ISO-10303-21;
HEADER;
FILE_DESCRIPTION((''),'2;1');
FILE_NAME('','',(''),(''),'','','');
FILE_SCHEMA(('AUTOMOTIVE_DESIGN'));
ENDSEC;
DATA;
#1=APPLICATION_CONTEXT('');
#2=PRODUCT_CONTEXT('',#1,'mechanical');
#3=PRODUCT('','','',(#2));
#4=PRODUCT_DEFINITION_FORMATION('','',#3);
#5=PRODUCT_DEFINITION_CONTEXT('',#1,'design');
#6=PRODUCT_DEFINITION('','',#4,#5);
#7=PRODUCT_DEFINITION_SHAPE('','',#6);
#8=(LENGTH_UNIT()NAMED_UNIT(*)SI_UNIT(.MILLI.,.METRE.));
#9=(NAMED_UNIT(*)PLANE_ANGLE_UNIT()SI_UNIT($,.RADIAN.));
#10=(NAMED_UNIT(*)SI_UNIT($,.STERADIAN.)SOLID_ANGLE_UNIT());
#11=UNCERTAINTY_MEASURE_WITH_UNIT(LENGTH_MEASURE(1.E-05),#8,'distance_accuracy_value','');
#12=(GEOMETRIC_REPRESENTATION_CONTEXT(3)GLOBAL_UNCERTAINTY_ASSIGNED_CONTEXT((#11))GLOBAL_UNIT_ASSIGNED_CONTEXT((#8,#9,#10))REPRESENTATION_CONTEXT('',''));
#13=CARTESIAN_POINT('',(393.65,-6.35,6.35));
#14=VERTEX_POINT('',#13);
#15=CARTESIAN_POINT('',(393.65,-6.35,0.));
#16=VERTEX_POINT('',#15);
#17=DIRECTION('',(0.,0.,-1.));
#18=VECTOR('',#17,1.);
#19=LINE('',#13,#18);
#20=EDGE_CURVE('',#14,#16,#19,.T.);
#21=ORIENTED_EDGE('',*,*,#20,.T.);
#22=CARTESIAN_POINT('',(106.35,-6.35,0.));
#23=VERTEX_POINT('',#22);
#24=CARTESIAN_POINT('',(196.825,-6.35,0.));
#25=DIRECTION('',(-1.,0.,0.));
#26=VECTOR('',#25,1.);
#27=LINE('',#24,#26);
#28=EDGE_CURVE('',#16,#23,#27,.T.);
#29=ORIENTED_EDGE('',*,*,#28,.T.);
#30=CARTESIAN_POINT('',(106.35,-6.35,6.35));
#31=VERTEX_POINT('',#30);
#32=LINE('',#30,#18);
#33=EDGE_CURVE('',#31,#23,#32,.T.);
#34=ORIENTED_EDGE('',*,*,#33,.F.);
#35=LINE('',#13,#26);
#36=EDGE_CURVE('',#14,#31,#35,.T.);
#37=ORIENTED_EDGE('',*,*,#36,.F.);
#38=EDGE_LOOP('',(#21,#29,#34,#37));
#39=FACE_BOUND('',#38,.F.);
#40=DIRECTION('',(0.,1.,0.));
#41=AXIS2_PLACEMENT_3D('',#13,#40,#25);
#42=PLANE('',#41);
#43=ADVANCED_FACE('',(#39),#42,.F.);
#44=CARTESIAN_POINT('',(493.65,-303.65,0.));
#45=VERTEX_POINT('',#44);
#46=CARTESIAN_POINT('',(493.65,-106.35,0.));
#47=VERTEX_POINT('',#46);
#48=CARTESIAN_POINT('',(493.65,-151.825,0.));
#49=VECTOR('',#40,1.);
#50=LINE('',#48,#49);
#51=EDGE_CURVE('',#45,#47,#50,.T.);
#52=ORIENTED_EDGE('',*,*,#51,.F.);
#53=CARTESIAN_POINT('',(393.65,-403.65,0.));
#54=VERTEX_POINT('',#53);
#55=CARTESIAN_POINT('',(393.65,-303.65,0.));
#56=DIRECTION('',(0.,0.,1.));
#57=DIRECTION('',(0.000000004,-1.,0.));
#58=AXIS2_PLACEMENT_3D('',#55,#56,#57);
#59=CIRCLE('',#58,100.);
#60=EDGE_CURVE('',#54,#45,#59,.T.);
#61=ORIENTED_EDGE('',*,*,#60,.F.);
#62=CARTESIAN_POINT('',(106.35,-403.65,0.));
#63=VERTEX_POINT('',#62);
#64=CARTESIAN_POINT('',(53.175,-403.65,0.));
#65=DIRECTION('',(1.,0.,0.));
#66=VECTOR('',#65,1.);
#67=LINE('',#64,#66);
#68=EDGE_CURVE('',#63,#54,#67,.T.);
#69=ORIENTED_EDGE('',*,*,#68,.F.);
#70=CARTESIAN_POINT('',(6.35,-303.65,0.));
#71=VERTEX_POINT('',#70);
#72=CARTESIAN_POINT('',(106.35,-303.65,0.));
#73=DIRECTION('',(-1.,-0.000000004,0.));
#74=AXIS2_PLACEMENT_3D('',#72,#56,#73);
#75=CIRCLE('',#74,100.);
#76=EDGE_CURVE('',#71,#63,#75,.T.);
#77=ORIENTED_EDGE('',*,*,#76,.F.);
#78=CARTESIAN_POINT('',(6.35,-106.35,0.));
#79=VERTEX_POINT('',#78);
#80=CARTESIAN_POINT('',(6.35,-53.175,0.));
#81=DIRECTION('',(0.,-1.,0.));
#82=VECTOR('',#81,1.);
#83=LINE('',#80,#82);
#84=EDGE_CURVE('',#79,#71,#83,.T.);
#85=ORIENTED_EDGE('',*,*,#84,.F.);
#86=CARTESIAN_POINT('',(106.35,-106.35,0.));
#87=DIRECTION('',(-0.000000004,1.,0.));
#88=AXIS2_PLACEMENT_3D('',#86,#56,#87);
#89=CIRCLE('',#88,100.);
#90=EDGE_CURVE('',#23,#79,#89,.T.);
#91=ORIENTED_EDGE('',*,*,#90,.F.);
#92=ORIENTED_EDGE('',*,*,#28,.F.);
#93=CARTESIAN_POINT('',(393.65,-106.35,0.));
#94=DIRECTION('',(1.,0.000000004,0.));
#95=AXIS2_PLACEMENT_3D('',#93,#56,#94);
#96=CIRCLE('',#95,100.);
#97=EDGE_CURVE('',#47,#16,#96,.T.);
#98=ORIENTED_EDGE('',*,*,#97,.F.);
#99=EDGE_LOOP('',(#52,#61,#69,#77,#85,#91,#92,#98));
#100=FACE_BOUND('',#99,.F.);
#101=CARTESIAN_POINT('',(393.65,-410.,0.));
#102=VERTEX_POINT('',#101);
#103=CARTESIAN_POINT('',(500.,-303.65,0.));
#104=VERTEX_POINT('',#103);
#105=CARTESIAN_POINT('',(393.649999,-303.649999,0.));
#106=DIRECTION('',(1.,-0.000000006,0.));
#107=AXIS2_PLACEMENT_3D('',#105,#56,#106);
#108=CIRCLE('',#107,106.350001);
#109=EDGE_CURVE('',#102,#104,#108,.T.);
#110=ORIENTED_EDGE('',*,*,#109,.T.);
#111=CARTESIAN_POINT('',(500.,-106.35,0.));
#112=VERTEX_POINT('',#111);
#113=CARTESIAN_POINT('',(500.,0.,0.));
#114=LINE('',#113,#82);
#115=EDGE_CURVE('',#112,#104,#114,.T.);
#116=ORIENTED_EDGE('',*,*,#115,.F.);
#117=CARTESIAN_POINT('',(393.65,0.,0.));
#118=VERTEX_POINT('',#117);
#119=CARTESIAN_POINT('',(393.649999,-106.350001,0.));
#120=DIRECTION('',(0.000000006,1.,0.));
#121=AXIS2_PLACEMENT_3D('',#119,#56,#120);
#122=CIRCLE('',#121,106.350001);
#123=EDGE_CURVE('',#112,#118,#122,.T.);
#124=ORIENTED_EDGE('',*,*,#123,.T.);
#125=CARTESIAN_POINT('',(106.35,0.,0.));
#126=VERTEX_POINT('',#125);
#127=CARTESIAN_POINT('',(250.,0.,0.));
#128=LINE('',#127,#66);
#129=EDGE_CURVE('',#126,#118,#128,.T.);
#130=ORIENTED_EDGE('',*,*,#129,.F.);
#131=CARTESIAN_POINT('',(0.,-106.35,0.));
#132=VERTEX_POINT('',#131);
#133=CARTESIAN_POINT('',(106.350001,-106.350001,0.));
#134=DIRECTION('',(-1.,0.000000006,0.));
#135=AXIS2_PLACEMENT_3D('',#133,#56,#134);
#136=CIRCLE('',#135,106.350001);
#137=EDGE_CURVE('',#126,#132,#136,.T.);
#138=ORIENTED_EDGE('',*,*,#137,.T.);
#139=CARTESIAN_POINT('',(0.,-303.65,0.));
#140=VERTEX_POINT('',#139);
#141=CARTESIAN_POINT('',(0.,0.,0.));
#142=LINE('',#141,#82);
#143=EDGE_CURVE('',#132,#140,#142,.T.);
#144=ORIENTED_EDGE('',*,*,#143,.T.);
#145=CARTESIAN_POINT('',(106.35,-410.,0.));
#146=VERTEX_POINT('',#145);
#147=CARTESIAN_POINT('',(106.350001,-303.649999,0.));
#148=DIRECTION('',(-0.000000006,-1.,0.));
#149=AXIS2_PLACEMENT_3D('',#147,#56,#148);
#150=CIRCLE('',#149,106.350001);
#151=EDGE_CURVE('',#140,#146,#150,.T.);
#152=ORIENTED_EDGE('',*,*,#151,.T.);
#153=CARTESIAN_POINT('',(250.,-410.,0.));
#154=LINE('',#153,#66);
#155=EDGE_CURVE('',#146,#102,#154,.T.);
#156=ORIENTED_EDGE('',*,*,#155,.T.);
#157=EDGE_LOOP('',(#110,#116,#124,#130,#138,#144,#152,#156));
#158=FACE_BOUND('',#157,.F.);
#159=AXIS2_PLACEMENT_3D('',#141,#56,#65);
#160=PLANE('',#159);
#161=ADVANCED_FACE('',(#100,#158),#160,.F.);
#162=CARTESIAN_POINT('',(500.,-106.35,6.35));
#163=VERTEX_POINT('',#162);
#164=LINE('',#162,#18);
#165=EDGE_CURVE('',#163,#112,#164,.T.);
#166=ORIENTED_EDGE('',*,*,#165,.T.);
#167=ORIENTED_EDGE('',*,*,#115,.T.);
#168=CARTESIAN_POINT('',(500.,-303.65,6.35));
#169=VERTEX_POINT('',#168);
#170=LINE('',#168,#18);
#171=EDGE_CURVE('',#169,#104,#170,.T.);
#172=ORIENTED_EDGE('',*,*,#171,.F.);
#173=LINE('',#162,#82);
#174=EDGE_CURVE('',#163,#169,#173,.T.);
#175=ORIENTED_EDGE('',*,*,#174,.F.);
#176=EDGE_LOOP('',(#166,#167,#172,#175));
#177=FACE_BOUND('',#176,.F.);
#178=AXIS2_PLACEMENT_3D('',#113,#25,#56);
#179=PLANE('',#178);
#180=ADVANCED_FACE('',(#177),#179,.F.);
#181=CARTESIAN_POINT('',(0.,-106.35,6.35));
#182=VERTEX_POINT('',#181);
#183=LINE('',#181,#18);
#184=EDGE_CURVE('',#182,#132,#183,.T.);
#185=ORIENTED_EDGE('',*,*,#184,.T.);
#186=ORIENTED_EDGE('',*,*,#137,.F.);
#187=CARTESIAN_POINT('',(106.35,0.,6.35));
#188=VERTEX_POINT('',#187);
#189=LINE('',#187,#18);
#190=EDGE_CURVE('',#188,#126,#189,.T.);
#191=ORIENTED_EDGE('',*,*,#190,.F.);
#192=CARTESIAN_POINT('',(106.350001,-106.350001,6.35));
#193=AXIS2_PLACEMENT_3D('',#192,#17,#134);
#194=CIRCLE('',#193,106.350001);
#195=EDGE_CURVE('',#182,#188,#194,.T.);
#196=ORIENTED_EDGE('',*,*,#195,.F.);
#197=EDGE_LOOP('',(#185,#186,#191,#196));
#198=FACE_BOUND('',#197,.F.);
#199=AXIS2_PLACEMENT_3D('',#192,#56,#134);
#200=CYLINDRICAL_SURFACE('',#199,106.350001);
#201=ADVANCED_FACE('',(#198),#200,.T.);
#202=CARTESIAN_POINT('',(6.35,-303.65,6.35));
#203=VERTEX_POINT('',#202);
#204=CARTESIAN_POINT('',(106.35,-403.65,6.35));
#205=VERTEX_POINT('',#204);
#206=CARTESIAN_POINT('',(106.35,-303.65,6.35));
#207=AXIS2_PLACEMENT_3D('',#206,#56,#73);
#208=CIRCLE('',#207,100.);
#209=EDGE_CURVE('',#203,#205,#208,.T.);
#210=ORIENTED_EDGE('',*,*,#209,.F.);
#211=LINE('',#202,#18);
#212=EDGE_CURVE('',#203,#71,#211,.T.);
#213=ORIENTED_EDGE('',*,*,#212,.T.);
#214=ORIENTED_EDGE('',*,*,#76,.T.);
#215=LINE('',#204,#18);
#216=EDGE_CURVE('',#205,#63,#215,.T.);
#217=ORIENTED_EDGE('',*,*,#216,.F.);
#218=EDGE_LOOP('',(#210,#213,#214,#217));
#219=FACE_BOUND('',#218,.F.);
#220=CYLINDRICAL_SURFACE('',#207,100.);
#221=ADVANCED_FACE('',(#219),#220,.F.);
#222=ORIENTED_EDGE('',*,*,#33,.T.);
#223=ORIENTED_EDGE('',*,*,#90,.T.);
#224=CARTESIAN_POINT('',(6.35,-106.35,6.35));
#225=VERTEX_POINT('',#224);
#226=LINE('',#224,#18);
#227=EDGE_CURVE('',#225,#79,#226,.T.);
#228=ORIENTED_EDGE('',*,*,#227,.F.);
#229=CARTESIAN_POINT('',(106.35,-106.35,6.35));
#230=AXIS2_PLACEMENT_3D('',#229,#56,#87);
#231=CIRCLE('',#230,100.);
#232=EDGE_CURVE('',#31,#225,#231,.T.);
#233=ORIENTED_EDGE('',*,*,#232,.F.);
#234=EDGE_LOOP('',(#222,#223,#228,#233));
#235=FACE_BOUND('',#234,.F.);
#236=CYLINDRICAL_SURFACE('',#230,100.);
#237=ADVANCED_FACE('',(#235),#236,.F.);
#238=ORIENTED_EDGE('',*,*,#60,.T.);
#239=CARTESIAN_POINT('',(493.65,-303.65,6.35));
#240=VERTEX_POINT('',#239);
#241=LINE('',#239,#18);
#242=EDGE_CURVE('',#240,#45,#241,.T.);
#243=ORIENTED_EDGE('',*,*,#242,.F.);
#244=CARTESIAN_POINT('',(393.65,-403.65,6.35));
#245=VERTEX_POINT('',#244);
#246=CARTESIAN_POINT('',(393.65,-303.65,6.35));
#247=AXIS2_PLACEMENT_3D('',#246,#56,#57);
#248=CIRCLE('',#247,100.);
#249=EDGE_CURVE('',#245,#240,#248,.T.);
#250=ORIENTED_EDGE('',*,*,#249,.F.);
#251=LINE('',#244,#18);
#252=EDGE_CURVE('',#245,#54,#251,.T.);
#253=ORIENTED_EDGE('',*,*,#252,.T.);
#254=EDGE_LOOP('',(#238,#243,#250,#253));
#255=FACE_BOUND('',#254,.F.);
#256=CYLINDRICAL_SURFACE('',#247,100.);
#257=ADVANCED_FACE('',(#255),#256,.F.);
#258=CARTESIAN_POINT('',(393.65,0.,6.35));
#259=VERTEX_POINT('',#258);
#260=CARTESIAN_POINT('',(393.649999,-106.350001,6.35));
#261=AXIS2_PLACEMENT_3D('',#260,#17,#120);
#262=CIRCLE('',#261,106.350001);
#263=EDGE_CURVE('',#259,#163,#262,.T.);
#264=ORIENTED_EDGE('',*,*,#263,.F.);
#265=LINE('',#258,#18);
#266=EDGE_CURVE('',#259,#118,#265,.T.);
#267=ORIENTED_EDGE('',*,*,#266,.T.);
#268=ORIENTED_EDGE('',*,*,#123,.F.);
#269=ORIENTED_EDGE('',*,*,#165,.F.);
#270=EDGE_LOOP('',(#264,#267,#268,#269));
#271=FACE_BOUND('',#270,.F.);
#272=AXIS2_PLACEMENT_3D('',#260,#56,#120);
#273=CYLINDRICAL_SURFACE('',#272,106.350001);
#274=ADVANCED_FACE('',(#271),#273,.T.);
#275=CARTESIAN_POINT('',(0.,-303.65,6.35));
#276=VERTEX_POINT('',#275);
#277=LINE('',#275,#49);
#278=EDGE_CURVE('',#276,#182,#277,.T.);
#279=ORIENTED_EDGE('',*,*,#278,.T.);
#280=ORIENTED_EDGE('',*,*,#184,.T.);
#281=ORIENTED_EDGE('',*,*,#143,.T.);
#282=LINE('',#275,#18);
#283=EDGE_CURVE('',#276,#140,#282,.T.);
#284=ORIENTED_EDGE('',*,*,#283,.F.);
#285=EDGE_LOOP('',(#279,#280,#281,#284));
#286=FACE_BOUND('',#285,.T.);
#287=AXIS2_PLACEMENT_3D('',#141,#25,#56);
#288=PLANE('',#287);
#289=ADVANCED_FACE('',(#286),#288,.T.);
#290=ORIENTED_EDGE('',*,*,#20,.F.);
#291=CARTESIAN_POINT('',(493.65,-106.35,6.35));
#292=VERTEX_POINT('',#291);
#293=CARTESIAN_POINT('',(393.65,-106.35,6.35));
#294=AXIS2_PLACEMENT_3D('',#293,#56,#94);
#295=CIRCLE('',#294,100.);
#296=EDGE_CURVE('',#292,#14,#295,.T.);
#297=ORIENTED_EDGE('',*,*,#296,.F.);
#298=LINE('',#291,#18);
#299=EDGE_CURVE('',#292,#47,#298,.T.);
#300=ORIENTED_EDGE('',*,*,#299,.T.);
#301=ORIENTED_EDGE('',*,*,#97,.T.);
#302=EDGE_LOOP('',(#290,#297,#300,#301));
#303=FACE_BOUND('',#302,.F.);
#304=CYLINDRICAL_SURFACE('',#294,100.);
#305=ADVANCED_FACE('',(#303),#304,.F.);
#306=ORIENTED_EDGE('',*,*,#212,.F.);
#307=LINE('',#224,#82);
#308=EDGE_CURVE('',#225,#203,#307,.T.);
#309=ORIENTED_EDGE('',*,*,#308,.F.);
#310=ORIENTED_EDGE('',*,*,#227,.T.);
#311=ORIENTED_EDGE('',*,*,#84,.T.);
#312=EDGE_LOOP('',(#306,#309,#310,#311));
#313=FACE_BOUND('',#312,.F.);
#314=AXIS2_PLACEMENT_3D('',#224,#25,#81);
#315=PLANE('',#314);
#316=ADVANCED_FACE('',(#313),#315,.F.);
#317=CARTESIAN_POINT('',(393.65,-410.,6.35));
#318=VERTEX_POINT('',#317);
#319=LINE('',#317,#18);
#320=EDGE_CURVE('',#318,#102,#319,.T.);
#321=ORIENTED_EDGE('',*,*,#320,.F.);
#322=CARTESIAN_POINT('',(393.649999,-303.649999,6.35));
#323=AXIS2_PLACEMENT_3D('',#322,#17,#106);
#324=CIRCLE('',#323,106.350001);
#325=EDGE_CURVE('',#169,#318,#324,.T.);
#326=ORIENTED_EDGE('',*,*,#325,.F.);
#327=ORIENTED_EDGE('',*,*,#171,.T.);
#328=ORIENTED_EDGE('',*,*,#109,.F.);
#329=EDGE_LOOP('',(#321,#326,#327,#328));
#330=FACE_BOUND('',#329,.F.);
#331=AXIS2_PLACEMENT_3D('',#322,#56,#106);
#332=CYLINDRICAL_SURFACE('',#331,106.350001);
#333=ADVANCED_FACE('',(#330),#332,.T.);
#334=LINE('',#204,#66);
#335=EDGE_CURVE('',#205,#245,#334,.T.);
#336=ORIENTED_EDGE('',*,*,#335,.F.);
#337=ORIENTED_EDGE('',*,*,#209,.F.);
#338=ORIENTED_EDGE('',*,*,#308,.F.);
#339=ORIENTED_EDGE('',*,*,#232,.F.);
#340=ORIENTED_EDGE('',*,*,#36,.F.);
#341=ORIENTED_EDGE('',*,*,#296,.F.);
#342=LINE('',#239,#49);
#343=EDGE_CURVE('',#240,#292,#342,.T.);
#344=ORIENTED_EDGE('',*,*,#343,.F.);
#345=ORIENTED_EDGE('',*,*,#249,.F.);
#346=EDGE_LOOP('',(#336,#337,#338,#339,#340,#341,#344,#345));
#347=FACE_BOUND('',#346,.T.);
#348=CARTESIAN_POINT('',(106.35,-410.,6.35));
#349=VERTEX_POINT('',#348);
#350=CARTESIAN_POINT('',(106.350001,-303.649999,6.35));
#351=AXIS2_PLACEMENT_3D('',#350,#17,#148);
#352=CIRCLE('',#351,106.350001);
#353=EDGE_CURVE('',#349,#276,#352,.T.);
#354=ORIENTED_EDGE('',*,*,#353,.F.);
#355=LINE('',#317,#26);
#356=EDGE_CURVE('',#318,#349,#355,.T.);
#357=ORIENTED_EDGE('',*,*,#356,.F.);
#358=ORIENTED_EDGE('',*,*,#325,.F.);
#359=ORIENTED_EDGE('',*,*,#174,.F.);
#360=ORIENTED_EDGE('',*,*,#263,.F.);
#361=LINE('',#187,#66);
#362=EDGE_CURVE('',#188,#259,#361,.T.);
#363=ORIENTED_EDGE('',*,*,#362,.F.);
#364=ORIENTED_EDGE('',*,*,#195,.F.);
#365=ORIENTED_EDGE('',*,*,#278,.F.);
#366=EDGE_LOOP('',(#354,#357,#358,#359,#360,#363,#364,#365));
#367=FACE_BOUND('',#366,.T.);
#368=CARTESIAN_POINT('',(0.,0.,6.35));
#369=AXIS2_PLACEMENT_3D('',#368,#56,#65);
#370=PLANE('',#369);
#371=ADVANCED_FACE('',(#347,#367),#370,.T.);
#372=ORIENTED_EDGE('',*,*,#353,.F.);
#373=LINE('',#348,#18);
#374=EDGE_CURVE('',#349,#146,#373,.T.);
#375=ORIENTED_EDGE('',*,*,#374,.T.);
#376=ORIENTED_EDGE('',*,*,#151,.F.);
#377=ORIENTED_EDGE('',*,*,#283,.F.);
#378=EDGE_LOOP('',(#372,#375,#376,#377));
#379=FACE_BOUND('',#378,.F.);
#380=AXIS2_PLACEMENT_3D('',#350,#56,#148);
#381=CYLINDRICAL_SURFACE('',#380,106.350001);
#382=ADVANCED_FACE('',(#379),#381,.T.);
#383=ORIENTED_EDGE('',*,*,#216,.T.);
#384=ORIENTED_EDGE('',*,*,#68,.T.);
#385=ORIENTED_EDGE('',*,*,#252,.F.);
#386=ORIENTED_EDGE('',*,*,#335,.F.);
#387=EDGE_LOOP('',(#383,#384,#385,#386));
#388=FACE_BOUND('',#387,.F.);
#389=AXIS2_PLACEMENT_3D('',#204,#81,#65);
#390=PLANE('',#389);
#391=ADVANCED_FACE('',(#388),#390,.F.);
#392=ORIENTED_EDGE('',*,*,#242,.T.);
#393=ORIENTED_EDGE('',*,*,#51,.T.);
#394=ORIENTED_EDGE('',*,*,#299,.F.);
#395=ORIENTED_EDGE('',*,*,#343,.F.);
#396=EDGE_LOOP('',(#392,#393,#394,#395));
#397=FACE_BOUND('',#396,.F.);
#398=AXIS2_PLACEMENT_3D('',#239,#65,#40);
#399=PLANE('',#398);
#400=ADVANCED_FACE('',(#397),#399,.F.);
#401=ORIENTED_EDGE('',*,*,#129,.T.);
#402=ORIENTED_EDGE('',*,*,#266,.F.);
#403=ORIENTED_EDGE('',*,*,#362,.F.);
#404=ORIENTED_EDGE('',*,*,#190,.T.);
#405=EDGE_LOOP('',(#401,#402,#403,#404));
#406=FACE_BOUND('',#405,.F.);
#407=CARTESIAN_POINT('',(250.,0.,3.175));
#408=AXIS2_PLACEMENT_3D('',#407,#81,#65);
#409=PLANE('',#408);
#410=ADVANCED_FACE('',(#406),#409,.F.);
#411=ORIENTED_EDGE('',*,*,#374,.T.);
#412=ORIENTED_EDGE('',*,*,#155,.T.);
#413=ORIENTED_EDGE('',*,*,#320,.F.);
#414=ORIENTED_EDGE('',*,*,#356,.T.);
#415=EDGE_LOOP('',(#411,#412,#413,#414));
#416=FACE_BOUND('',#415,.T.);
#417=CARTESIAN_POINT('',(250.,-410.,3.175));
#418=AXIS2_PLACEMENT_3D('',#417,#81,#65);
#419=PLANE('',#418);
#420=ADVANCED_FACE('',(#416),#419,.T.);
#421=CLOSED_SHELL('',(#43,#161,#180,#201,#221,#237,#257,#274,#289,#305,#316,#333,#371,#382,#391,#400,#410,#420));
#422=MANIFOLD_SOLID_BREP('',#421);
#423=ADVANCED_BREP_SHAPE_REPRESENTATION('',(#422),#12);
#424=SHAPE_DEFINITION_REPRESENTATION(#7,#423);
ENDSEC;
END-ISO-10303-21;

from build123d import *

# Parameters (mm, degrees)
F0_W     = 500
F0_H     = 6.35
F1_DEPTH = 410
F3_DEPTH = 25
F4_W     = 517.022076
F4_H     = 424.169128
F5_DEPTH = 25


with BuildPart() as f1:
    # F0 (on Front) → F1 (new body)
    with BuildSketch(Plane.XZ):
        with Locations((250, 3.175)):
            Rectangle(F0_W, F0_H)
    extrude(amount=F1_DEPTH)

    # F2 (on face) → F3 (cut)
    with BuildSketch(Plane.XY.offset(6.35)):
        with BuildLine():
            Line((393.65, -6.35), (106.35, -6.35))
            ThreePointArc((106.35, -6.35), (35.639322, -35.639322), (6.35, -106.35))
            Line((6.35, -106.35), (6.35, -303.65))
            ThreePointArc((6.35, -303.65), (35.639322, -374.360678), (106.35, -403.65))
            Line((106.35, -403.65), (393.65, -403.65))
            ThreePointArc((393.65, -403.65), (464.360678, -374.360678), (493.65, -303.65))
            Line((493.65, -303.65), (493.65, -106.35))
            ThreePointArc((493.65, -106.35), (464.360678, -35.639322), (393.65, -6.35))
        make_face()
    extrude(amount=-F3_DEPTH, mode=Mode.SUBTRACT)

    # F4 (on face) → F5 (cut)
    with BuildSketch(Plane.XY.offset(6.35)):
        with Locations((249.736218, -205.263791)):
            Rectangle(F4_W, F4_H)
        with BuildLine():
            ThreePointArc((0, -106.35), (31.149194, -31.149194), (106.35, 0))
            Line((106.35, 0), (393.65, 0))
            ThreePointArc((393.65, 0), (468.850806, -31.149194), (500, -106.35))
            Line((500, -106.35), (500, -303.65))
            ThreePointArc((500, -303.65), (468.850806, -378.850806), (393.65, -410))
            Line((393.65, -410), (106.35, -410))
            ThreePointArc((106.35, -410), (31.149194, -378.850806), (0, -303.65))
            Line((0, -303.65), (0, -106.35))
        make_face(mode=Mode.SUBTRACT)
    extrude(amount=-F5_DEPTH, mode=Mode.SUBTRACT)


solid = f1.part
